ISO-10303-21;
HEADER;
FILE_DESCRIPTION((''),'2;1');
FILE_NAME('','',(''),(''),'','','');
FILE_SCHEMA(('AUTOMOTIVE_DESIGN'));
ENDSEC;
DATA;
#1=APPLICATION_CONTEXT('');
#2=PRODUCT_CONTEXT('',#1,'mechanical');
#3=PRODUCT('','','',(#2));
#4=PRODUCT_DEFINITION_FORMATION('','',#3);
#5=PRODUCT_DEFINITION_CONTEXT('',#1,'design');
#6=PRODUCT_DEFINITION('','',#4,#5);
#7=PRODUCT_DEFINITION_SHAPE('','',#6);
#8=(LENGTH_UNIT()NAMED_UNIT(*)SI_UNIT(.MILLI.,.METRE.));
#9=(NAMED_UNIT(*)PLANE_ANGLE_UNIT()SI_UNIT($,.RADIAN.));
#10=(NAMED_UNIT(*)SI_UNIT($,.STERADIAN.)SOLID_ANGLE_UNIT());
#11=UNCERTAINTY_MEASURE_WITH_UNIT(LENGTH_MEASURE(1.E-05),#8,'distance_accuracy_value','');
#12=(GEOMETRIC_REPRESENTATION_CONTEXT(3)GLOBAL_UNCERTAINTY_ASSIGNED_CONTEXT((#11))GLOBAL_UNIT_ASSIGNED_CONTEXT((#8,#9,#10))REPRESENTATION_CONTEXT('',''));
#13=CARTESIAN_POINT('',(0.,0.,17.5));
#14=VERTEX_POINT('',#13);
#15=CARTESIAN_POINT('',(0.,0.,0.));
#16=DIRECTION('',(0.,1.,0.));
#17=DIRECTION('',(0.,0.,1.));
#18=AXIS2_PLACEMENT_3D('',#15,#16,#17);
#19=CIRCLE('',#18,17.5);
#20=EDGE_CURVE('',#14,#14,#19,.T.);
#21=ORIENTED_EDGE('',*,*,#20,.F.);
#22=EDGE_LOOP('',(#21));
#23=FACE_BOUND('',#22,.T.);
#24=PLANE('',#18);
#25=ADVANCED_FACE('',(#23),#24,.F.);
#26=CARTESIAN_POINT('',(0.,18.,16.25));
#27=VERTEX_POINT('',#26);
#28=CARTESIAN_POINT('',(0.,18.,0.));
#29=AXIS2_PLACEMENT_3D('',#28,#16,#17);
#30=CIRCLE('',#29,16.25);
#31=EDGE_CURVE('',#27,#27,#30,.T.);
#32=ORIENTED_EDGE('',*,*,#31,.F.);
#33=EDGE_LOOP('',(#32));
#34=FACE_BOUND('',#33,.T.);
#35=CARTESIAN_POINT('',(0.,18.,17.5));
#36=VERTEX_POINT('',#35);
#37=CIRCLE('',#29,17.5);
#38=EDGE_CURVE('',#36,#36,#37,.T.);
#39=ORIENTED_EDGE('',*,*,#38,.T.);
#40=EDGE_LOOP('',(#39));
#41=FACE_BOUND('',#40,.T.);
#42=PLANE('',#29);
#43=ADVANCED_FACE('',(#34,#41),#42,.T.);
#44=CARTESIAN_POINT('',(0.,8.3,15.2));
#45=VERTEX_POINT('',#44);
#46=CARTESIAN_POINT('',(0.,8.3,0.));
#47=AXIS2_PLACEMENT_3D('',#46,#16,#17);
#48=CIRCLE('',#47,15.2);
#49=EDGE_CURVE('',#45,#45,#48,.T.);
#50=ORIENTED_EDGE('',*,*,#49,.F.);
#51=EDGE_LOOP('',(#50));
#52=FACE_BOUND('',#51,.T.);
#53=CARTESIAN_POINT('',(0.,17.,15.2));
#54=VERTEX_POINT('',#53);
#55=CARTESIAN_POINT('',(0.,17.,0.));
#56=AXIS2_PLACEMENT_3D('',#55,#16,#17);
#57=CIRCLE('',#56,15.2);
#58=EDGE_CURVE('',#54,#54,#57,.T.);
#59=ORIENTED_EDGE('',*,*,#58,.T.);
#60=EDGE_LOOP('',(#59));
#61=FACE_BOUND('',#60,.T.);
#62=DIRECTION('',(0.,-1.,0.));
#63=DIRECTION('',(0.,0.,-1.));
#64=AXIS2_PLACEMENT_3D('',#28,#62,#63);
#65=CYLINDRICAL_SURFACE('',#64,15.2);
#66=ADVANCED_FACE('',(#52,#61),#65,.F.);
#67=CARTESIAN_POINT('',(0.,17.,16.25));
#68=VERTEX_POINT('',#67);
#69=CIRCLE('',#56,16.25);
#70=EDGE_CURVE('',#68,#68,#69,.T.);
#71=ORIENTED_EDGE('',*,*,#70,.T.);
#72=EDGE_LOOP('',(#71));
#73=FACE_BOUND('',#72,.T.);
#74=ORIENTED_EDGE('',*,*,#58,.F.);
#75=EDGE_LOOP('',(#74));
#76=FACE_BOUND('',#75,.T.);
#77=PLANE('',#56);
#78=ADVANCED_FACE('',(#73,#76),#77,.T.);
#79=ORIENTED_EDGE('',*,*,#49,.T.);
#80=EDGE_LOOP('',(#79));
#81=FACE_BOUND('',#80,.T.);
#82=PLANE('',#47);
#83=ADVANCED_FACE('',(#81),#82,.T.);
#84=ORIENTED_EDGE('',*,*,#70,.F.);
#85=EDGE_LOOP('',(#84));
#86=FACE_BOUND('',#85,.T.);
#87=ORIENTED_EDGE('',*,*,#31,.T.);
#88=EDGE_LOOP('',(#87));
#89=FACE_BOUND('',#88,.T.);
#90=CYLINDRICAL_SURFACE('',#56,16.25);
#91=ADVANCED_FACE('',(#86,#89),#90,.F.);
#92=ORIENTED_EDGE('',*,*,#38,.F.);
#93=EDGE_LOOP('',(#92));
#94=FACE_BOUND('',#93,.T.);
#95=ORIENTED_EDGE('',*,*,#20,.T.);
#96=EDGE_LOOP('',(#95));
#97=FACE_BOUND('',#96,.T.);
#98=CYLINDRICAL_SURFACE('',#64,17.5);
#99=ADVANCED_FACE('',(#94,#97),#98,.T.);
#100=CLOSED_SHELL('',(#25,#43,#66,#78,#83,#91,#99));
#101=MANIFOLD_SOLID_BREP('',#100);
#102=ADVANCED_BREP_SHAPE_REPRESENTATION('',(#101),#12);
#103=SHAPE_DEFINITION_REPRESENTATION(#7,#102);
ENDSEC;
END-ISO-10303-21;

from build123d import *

# Parameters (mm, degrees)
SKETCH1_R           = 17.5
BOSS_EXTRUDE1_DEPTH = 18
SHELL1_T            = -2.3
SKETCH2_R           = 16.25
CUT_EXTRUDE1_DEPTH  = 1
SKETCH4_R           = 15.2
BOSS_EXTRUDE2_DEPTH = 6


with BuildPart() as part:
    # Sketch1 → Boss-Extrude1 (new body)
    with BuildSketch(Plane(origin=(0, 0, 0), x_dir=(1, 0, 0), z_dir=(0, 1, 0))):
        with Locations(Location((0, 0, 0), (0, 0, 270))):
            Circle(SKETCH1_R)
    extrude(amount=BOSS_EXTRUDE1_DEPTH)

    # Shell1
    shell1_openings = [part.faces().sort_by_distance(p)[0] for p in [
        (0, 18, 0),
    ]]
    offset(amount=SHELL1_T, openings=shell1_openings, kind=Kind.INTERSECTION)

    # Sketch2 → Cut-Extrude1 (cut)
    with BuildSketch(Plane(origin=(0, 18, 0), x_dir=(1, 0, 0), z_dir=(0, 1, 0))):
        with Locations(Location((0, 0, 0), (0, 0, 270))):
            Circle(SKETCH2_R)
    extrude(amount=-CUT_EXTRUDE1_DEPTH, mode=Mode.SUBTRACT)

    # Sketch4 → Boss-Extrude2 (add)
    with BuildSketch(Plane(origin=(0, 2.3, 0), x_dir=(1, 0, 0), z_dir=(0, 1, 0))):
        with Locations(Location((0, 0, 0), (0, 0, 270))):
            Circle(SKETCH4_R)
    extrude(amount=BOSS_EXTRUDE2_DEPTH)


solid = part.part
